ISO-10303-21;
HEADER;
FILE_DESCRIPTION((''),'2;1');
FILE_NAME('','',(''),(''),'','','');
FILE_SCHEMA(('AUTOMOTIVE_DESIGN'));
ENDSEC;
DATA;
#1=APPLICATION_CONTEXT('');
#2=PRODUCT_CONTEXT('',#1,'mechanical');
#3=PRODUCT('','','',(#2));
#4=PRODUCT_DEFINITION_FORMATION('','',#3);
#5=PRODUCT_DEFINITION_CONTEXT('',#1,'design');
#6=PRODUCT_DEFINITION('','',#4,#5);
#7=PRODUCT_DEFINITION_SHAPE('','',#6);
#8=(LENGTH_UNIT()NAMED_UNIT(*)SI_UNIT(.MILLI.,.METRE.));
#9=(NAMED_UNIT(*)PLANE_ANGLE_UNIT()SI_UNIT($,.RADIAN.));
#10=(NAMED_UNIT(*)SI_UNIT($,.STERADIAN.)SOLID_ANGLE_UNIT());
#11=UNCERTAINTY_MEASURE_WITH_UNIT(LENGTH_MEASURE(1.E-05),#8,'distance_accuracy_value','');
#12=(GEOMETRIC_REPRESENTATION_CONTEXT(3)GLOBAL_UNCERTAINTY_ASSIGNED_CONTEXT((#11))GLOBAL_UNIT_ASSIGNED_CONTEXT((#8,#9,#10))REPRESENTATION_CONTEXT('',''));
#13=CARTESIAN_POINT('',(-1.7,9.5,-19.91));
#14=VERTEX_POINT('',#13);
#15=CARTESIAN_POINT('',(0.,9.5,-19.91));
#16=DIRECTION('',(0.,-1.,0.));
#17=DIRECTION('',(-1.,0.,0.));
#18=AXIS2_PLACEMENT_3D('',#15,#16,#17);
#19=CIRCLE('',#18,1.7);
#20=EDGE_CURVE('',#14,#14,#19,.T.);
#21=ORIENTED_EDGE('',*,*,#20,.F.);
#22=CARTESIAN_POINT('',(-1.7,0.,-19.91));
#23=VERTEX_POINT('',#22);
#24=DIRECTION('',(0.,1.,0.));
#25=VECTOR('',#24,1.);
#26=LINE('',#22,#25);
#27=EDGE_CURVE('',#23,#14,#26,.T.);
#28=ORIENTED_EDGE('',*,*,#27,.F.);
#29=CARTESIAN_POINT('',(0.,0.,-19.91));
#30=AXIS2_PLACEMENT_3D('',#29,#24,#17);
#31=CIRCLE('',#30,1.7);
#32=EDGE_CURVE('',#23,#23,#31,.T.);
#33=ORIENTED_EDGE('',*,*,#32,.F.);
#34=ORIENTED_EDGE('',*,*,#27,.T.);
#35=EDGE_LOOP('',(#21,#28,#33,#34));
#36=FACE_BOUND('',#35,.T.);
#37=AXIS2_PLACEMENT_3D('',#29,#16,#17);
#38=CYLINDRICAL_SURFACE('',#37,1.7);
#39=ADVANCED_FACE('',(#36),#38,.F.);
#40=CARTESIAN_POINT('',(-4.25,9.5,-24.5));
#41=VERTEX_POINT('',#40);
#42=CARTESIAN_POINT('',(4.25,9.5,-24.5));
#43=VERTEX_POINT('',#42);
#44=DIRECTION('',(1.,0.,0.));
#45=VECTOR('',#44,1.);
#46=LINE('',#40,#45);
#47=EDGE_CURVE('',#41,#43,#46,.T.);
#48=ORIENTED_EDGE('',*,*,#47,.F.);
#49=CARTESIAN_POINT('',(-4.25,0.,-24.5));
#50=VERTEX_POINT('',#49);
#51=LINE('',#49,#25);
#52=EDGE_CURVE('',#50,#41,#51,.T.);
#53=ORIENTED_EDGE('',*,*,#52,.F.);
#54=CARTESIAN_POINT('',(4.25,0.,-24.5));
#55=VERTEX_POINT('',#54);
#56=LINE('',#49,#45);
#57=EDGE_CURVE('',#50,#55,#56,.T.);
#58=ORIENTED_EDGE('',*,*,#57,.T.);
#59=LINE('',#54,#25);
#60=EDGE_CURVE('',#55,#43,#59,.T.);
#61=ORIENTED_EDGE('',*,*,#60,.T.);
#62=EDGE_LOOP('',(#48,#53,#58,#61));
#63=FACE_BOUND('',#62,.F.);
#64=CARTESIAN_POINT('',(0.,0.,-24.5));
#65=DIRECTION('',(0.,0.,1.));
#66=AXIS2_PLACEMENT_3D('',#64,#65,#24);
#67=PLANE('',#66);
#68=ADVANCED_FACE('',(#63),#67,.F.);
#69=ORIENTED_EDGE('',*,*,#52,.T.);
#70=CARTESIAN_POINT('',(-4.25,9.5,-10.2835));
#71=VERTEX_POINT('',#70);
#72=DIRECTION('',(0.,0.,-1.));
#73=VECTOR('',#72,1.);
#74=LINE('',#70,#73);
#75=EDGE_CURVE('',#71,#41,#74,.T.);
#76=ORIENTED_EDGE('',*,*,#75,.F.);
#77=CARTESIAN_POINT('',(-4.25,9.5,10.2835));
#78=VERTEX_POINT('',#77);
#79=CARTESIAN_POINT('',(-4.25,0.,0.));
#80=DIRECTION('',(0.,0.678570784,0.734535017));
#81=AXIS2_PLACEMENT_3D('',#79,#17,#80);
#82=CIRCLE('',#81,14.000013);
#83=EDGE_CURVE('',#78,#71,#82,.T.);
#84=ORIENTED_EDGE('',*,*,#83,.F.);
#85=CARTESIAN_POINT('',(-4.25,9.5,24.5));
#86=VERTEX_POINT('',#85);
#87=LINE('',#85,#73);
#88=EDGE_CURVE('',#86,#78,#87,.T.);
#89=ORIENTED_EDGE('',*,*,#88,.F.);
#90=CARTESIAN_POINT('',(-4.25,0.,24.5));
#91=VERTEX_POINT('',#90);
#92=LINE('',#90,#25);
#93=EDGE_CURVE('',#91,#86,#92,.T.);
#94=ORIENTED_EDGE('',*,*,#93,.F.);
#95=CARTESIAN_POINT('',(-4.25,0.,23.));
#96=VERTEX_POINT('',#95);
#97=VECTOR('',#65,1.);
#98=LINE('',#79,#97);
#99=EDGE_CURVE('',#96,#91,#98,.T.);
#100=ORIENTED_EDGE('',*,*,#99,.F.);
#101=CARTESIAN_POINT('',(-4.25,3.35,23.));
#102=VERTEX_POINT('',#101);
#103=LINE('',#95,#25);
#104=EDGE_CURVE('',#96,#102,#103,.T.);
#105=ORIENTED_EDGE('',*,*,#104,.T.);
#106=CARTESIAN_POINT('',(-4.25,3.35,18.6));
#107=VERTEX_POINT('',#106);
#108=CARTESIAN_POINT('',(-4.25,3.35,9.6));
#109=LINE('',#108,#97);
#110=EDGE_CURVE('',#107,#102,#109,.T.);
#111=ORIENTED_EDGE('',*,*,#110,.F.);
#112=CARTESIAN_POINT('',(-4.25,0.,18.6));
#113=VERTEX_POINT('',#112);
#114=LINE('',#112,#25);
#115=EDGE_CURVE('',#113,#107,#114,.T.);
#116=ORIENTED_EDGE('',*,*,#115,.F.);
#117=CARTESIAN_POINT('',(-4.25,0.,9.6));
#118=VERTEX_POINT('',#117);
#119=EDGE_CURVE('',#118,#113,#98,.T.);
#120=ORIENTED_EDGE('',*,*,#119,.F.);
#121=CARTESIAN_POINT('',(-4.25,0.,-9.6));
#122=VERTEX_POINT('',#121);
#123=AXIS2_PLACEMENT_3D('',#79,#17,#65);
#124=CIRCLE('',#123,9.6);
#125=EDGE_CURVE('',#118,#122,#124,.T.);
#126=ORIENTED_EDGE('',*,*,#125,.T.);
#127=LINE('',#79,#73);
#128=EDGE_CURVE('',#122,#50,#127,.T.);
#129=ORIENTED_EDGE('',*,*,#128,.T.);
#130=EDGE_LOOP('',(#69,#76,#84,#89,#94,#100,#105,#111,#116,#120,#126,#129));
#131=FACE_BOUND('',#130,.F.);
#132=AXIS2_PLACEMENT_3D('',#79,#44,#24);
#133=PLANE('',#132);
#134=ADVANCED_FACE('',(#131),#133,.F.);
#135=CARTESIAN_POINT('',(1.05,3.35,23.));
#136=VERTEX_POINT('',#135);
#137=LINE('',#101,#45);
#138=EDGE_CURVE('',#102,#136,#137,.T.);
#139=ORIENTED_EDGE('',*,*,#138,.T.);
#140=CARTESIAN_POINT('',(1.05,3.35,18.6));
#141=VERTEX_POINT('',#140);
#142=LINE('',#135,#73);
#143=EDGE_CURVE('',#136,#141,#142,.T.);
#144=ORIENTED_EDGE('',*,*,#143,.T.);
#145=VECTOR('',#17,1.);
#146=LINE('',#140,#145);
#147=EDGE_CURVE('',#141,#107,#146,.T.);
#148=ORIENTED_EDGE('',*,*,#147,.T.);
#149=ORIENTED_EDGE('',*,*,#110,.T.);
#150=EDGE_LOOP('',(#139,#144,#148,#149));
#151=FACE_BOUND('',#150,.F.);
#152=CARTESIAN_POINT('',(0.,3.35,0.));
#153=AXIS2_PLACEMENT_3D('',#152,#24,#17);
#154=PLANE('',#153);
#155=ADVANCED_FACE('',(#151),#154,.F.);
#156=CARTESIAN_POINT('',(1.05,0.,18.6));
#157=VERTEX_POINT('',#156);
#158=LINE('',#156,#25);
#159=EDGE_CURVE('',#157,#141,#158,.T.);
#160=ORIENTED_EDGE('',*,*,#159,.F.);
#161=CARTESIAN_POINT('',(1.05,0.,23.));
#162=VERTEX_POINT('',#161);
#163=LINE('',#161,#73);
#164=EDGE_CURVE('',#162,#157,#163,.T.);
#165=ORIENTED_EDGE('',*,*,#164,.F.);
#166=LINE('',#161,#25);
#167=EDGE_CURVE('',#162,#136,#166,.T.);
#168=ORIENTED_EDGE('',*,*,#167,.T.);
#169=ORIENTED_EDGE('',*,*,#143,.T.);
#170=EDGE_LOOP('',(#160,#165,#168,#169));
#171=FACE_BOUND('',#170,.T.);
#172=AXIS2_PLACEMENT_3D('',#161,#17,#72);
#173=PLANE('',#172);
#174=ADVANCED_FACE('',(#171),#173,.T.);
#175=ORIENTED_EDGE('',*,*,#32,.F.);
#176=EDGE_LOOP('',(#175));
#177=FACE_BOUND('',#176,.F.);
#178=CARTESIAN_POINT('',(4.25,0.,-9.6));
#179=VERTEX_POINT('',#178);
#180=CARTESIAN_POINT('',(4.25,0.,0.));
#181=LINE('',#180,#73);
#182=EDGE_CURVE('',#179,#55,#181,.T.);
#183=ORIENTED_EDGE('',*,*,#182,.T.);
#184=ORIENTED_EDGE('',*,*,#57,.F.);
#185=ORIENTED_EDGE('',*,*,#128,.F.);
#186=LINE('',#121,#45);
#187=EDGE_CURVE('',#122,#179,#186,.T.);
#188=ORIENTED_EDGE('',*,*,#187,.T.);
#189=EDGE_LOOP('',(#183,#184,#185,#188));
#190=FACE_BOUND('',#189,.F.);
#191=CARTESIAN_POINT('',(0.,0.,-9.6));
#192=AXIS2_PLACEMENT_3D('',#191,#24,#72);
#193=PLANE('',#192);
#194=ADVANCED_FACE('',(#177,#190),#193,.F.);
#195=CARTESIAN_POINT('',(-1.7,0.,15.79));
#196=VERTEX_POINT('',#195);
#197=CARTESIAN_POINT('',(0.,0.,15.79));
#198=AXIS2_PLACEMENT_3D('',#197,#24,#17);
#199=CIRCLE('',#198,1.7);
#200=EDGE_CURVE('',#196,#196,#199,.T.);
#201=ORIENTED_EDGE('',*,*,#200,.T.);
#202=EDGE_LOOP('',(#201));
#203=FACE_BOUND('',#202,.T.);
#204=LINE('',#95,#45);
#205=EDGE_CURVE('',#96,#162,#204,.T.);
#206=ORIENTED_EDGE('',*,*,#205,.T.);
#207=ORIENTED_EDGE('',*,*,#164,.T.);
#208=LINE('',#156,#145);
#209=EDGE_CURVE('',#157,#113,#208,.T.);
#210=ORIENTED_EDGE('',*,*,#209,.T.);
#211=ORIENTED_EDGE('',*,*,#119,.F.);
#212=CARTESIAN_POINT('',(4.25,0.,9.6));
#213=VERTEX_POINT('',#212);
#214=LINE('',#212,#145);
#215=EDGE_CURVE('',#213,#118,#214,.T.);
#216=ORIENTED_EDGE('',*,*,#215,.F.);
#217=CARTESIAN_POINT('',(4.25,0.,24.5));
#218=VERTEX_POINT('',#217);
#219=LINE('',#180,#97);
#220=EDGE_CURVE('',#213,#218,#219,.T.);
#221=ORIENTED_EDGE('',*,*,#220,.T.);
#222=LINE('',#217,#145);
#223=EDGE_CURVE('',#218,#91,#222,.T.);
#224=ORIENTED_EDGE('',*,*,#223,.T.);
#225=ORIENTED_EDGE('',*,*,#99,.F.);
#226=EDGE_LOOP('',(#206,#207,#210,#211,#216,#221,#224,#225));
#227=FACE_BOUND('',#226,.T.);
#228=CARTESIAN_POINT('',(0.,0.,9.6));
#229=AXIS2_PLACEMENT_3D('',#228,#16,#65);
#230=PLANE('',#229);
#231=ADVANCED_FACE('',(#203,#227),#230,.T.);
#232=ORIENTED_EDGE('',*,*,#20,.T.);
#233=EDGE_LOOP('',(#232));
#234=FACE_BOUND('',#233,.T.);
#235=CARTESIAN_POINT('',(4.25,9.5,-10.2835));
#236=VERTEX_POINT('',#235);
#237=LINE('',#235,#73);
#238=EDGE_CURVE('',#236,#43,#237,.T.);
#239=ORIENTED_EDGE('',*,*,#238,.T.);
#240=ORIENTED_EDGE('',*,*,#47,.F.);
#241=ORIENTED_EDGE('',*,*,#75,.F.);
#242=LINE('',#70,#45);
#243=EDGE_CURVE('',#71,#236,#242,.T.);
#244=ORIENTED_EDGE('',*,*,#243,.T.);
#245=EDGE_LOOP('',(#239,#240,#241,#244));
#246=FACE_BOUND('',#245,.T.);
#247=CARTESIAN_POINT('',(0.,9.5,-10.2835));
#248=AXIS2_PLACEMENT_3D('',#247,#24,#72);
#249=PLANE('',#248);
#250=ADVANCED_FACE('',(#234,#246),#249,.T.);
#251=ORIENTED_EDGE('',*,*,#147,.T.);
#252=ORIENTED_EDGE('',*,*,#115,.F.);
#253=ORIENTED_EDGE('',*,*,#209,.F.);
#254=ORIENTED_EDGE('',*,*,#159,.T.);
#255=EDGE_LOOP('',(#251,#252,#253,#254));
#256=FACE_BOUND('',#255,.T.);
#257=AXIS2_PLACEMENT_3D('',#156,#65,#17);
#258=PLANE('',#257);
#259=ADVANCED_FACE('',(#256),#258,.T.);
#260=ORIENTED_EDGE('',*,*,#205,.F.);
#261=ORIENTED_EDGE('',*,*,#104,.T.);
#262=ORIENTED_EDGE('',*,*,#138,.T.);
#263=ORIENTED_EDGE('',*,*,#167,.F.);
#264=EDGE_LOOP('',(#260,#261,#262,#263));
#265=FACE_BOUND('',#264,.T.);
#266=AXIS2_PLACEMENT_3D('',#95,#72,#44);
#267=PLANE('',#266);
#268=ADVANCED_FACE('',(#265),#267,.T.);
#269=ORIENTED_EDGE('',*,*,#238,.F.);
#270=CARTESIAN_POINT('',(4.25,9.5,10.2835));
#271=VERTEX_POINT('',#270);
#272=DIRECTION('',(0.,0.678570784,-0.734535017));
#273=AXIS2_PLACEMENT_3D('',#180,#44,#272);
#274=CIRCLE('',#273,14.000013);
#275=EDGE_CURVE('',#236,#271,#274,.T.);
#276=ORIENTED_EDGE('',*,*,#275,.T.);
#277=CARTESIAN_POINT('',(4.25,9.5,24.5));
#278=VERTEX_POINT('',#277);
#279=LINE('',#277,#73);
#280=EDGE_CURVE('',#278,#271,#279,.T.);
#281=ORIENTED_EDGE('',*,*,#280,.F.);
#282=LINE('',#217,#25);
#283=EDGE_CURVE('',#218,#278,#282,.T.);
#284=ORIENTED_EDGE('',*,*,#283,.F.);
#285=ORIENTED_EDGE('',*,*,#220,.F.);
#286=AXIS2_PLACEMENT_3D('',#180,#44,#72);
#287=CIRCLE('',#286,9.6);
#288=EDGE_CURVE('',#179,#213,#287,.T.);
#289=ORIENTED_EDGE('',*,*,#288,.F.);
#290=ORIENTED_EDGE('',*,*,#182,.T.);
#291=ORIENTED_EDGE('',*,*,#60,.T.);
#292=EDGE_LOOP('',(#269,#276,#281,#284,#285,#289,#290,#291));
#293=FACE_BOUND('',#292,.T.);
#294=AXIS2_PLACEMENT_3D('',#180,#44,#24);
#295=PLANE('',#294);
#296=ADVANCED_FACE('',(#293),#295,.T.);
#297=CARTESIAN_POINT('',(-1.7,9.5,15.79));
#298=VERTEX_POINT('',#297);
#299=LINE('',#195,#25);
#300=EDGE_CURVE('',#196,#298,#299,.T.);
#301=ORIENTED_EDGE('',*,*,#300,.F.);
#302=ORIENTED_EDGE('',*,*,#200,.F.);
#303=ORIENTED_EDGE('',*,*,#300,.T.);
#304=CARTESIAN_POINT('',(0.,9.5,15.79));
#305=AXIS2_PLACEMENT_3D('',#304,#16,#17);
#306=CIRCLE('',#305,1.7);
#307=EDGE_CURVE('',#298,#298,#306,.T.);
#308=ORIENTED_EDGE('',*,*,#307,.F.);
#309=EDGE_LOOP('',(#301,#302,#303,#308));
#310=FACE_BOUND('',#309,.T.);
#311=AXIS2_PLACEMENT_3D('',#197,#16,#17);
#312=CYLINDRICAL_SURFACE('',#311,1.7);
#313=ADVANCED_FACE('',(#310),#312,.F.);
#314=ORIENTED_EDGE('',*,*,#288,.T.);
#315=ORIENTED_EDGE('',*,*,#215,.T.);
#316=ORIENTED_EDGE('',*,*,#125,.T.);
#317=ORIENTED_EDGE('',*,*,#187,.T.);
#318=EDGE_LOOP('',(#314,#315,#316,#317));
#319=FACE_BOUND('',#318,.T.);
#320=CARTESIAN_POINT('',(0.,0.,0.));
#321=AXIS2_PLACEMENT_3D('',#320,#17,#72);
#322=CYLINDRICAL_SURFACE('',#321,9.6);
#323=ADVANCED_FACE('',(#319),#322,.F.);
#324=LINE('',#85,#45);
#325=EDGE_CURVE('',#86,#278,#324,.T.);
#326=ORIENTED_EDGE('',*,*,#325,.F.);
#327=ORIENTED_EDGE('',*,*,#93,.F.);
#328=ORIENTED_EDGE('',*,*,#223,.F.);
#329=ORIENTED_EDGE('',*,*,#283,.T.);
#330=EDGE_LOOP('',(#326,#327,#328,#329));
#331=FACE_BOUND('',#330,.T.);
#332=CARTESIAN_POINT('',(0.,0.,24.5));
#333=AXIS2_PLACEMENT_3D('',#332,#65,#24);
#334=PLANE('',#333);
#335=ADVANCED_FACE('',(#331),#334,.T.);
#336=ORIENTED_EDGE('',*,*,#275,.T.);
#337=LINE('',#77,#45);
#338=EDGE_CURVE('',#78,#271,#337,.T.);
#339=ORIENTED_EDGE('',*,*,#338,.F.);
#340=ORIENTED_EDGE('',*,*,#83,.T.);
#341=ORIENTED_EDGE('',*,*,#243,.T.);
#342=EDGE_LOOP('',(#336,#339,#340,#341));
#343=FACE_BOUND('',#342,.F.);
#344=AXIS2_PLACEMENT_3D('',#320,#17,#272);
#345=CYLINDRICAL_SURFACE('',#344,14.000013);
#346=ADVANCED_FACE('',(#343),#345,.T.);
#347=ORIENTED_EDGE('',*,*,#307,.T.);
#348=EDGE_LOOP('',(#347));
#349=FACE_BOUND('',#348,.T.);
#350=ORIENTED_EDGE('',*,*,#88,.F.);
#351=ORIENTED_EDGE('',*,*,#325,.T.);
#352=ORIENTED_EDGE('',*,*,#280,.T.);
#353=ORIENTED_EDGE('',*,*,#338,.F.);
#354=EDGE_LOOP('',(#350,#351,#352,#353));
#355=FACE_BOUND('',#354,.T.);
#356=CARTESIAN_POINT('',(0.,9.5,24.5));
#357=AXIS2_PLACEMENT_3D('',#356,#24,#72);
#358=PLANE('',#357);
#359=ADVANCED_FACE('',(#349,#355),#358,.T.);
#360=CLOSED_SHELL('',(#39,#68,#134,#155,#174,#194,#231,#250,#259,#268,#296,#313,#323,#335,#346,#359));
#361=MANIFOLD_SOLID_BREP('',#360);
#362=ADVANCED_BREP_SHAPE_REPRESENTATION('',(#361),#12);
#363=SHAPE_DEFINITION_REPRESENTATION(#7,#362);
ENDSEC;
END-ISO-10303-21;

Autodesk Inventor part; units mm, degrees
ref_plane "YZ Plane" through (0, 0, 0) normal (1, 0, 0) x (0, 1, 0)
ref_plane "XZ Plane" through (0, 0, 0) normal (0, 1, 0) x (-1, 0, 0)
ref_plane "XY Plane" through (0, 0, 0) normal (0, 0, 1) x (1, 0, 0)
sketch "Skizze10" plane through (0, 0, 0) normal (1, 0, 0) x (0, 1, 0)
  arc A0 (0, -9.6) -> (0, 9.6) centre (0, 0) ccw
  line L0 (0, 0) -> (0, -24.5)
  line L1 (0, 0) -> (0, 24.5)
  line L2 (0, 15.79) -> (24.9524, 15.79) construction
  line L3 (-4.9905, 0) -> (29.9429, 0) projected
  line L4 (0, -19.91) -> (23.7326, -19.91) construction
  line L5 (0, 24.5) -> (9.5, 24.5)
  line L6 (9.5, 24.5) -> (9.5, 10.2835)
  arc A1 (9.5, -10.2835) -> (9.5, 10.2835) centre (0, 0) ccw
  line L7 (9.5, -10.2835) -> (9.5, -24.5)
  line L8 (0, -24.5) -> (9.5, -24.5)
  point P0 (0, 9.6)
  point P1 (9.5, -19.91)
  point P2 (9.5, 15.79)
  dimension "d79" = 9.6
  dimension "d80" = 24.5
  dimension "d81" = 24.5
  dimension "d82" = 15.79
  dimension "d83" = 19.91
  dimension "d84" = 9.5
  dimension "d85" = 14
extrude "Extrusion9" add sketch "Skizze10" along normal mid plane 8.5 contours A0 L3 A1 L7 L8 L0 | A0 L1 L5 L6 A1 L3
sketch "Skizze11" plane through (0, 0, 0) normal (0, 1, 0) x (-1, 0, 0)
  circle A0 centre (0, -19.91) radius 1.7
  circle A1 centre (0, 15.79) radius 1.7
  line L0 (-4.25, -24.5) -> (-4.25, -10.2835) projected
  line L1 (0, -32.898) -> (0, 25.888) projected
  point P0 (0, 0)
  dimension "d88" = 15.79
  dimension "d89" = 19.91
  dimension "d90" = 3.4
  dimension "d91" = 3.4
extrude "Extrusion10" cut sketch "Skizze11" along normal through all
sketch "Skizze12" plane through (0, 0, 0) normal (0, 1, 0) x (-1, 0, 0)
  line L0 (4.25, 9.6) -> (4.25, 24.5) projected
  line L1 (4.25, 23) -> (-1.05, 23)
  line L2 (-1.05, 23) -> (-1.05, 18.6)
  line L3 (-1.05, 18.6) -> (4.25, 18.6)
  line L4 (4.25, 18.6) -> (4.25, 23)
  line L5 (5.31, 0) -> (-2.11, 0) projected
  point P0 (0, 0)
  point P1 (4.25, 18.6)
  dimension "d94" = 4.4
  dimension "d95" = 5.3
  dimension "d96" = 18.6
extrude "Extrusion11" cut sketch "Skizze12" along normal blind 3.35
properties part number "Lagerhalter1"
